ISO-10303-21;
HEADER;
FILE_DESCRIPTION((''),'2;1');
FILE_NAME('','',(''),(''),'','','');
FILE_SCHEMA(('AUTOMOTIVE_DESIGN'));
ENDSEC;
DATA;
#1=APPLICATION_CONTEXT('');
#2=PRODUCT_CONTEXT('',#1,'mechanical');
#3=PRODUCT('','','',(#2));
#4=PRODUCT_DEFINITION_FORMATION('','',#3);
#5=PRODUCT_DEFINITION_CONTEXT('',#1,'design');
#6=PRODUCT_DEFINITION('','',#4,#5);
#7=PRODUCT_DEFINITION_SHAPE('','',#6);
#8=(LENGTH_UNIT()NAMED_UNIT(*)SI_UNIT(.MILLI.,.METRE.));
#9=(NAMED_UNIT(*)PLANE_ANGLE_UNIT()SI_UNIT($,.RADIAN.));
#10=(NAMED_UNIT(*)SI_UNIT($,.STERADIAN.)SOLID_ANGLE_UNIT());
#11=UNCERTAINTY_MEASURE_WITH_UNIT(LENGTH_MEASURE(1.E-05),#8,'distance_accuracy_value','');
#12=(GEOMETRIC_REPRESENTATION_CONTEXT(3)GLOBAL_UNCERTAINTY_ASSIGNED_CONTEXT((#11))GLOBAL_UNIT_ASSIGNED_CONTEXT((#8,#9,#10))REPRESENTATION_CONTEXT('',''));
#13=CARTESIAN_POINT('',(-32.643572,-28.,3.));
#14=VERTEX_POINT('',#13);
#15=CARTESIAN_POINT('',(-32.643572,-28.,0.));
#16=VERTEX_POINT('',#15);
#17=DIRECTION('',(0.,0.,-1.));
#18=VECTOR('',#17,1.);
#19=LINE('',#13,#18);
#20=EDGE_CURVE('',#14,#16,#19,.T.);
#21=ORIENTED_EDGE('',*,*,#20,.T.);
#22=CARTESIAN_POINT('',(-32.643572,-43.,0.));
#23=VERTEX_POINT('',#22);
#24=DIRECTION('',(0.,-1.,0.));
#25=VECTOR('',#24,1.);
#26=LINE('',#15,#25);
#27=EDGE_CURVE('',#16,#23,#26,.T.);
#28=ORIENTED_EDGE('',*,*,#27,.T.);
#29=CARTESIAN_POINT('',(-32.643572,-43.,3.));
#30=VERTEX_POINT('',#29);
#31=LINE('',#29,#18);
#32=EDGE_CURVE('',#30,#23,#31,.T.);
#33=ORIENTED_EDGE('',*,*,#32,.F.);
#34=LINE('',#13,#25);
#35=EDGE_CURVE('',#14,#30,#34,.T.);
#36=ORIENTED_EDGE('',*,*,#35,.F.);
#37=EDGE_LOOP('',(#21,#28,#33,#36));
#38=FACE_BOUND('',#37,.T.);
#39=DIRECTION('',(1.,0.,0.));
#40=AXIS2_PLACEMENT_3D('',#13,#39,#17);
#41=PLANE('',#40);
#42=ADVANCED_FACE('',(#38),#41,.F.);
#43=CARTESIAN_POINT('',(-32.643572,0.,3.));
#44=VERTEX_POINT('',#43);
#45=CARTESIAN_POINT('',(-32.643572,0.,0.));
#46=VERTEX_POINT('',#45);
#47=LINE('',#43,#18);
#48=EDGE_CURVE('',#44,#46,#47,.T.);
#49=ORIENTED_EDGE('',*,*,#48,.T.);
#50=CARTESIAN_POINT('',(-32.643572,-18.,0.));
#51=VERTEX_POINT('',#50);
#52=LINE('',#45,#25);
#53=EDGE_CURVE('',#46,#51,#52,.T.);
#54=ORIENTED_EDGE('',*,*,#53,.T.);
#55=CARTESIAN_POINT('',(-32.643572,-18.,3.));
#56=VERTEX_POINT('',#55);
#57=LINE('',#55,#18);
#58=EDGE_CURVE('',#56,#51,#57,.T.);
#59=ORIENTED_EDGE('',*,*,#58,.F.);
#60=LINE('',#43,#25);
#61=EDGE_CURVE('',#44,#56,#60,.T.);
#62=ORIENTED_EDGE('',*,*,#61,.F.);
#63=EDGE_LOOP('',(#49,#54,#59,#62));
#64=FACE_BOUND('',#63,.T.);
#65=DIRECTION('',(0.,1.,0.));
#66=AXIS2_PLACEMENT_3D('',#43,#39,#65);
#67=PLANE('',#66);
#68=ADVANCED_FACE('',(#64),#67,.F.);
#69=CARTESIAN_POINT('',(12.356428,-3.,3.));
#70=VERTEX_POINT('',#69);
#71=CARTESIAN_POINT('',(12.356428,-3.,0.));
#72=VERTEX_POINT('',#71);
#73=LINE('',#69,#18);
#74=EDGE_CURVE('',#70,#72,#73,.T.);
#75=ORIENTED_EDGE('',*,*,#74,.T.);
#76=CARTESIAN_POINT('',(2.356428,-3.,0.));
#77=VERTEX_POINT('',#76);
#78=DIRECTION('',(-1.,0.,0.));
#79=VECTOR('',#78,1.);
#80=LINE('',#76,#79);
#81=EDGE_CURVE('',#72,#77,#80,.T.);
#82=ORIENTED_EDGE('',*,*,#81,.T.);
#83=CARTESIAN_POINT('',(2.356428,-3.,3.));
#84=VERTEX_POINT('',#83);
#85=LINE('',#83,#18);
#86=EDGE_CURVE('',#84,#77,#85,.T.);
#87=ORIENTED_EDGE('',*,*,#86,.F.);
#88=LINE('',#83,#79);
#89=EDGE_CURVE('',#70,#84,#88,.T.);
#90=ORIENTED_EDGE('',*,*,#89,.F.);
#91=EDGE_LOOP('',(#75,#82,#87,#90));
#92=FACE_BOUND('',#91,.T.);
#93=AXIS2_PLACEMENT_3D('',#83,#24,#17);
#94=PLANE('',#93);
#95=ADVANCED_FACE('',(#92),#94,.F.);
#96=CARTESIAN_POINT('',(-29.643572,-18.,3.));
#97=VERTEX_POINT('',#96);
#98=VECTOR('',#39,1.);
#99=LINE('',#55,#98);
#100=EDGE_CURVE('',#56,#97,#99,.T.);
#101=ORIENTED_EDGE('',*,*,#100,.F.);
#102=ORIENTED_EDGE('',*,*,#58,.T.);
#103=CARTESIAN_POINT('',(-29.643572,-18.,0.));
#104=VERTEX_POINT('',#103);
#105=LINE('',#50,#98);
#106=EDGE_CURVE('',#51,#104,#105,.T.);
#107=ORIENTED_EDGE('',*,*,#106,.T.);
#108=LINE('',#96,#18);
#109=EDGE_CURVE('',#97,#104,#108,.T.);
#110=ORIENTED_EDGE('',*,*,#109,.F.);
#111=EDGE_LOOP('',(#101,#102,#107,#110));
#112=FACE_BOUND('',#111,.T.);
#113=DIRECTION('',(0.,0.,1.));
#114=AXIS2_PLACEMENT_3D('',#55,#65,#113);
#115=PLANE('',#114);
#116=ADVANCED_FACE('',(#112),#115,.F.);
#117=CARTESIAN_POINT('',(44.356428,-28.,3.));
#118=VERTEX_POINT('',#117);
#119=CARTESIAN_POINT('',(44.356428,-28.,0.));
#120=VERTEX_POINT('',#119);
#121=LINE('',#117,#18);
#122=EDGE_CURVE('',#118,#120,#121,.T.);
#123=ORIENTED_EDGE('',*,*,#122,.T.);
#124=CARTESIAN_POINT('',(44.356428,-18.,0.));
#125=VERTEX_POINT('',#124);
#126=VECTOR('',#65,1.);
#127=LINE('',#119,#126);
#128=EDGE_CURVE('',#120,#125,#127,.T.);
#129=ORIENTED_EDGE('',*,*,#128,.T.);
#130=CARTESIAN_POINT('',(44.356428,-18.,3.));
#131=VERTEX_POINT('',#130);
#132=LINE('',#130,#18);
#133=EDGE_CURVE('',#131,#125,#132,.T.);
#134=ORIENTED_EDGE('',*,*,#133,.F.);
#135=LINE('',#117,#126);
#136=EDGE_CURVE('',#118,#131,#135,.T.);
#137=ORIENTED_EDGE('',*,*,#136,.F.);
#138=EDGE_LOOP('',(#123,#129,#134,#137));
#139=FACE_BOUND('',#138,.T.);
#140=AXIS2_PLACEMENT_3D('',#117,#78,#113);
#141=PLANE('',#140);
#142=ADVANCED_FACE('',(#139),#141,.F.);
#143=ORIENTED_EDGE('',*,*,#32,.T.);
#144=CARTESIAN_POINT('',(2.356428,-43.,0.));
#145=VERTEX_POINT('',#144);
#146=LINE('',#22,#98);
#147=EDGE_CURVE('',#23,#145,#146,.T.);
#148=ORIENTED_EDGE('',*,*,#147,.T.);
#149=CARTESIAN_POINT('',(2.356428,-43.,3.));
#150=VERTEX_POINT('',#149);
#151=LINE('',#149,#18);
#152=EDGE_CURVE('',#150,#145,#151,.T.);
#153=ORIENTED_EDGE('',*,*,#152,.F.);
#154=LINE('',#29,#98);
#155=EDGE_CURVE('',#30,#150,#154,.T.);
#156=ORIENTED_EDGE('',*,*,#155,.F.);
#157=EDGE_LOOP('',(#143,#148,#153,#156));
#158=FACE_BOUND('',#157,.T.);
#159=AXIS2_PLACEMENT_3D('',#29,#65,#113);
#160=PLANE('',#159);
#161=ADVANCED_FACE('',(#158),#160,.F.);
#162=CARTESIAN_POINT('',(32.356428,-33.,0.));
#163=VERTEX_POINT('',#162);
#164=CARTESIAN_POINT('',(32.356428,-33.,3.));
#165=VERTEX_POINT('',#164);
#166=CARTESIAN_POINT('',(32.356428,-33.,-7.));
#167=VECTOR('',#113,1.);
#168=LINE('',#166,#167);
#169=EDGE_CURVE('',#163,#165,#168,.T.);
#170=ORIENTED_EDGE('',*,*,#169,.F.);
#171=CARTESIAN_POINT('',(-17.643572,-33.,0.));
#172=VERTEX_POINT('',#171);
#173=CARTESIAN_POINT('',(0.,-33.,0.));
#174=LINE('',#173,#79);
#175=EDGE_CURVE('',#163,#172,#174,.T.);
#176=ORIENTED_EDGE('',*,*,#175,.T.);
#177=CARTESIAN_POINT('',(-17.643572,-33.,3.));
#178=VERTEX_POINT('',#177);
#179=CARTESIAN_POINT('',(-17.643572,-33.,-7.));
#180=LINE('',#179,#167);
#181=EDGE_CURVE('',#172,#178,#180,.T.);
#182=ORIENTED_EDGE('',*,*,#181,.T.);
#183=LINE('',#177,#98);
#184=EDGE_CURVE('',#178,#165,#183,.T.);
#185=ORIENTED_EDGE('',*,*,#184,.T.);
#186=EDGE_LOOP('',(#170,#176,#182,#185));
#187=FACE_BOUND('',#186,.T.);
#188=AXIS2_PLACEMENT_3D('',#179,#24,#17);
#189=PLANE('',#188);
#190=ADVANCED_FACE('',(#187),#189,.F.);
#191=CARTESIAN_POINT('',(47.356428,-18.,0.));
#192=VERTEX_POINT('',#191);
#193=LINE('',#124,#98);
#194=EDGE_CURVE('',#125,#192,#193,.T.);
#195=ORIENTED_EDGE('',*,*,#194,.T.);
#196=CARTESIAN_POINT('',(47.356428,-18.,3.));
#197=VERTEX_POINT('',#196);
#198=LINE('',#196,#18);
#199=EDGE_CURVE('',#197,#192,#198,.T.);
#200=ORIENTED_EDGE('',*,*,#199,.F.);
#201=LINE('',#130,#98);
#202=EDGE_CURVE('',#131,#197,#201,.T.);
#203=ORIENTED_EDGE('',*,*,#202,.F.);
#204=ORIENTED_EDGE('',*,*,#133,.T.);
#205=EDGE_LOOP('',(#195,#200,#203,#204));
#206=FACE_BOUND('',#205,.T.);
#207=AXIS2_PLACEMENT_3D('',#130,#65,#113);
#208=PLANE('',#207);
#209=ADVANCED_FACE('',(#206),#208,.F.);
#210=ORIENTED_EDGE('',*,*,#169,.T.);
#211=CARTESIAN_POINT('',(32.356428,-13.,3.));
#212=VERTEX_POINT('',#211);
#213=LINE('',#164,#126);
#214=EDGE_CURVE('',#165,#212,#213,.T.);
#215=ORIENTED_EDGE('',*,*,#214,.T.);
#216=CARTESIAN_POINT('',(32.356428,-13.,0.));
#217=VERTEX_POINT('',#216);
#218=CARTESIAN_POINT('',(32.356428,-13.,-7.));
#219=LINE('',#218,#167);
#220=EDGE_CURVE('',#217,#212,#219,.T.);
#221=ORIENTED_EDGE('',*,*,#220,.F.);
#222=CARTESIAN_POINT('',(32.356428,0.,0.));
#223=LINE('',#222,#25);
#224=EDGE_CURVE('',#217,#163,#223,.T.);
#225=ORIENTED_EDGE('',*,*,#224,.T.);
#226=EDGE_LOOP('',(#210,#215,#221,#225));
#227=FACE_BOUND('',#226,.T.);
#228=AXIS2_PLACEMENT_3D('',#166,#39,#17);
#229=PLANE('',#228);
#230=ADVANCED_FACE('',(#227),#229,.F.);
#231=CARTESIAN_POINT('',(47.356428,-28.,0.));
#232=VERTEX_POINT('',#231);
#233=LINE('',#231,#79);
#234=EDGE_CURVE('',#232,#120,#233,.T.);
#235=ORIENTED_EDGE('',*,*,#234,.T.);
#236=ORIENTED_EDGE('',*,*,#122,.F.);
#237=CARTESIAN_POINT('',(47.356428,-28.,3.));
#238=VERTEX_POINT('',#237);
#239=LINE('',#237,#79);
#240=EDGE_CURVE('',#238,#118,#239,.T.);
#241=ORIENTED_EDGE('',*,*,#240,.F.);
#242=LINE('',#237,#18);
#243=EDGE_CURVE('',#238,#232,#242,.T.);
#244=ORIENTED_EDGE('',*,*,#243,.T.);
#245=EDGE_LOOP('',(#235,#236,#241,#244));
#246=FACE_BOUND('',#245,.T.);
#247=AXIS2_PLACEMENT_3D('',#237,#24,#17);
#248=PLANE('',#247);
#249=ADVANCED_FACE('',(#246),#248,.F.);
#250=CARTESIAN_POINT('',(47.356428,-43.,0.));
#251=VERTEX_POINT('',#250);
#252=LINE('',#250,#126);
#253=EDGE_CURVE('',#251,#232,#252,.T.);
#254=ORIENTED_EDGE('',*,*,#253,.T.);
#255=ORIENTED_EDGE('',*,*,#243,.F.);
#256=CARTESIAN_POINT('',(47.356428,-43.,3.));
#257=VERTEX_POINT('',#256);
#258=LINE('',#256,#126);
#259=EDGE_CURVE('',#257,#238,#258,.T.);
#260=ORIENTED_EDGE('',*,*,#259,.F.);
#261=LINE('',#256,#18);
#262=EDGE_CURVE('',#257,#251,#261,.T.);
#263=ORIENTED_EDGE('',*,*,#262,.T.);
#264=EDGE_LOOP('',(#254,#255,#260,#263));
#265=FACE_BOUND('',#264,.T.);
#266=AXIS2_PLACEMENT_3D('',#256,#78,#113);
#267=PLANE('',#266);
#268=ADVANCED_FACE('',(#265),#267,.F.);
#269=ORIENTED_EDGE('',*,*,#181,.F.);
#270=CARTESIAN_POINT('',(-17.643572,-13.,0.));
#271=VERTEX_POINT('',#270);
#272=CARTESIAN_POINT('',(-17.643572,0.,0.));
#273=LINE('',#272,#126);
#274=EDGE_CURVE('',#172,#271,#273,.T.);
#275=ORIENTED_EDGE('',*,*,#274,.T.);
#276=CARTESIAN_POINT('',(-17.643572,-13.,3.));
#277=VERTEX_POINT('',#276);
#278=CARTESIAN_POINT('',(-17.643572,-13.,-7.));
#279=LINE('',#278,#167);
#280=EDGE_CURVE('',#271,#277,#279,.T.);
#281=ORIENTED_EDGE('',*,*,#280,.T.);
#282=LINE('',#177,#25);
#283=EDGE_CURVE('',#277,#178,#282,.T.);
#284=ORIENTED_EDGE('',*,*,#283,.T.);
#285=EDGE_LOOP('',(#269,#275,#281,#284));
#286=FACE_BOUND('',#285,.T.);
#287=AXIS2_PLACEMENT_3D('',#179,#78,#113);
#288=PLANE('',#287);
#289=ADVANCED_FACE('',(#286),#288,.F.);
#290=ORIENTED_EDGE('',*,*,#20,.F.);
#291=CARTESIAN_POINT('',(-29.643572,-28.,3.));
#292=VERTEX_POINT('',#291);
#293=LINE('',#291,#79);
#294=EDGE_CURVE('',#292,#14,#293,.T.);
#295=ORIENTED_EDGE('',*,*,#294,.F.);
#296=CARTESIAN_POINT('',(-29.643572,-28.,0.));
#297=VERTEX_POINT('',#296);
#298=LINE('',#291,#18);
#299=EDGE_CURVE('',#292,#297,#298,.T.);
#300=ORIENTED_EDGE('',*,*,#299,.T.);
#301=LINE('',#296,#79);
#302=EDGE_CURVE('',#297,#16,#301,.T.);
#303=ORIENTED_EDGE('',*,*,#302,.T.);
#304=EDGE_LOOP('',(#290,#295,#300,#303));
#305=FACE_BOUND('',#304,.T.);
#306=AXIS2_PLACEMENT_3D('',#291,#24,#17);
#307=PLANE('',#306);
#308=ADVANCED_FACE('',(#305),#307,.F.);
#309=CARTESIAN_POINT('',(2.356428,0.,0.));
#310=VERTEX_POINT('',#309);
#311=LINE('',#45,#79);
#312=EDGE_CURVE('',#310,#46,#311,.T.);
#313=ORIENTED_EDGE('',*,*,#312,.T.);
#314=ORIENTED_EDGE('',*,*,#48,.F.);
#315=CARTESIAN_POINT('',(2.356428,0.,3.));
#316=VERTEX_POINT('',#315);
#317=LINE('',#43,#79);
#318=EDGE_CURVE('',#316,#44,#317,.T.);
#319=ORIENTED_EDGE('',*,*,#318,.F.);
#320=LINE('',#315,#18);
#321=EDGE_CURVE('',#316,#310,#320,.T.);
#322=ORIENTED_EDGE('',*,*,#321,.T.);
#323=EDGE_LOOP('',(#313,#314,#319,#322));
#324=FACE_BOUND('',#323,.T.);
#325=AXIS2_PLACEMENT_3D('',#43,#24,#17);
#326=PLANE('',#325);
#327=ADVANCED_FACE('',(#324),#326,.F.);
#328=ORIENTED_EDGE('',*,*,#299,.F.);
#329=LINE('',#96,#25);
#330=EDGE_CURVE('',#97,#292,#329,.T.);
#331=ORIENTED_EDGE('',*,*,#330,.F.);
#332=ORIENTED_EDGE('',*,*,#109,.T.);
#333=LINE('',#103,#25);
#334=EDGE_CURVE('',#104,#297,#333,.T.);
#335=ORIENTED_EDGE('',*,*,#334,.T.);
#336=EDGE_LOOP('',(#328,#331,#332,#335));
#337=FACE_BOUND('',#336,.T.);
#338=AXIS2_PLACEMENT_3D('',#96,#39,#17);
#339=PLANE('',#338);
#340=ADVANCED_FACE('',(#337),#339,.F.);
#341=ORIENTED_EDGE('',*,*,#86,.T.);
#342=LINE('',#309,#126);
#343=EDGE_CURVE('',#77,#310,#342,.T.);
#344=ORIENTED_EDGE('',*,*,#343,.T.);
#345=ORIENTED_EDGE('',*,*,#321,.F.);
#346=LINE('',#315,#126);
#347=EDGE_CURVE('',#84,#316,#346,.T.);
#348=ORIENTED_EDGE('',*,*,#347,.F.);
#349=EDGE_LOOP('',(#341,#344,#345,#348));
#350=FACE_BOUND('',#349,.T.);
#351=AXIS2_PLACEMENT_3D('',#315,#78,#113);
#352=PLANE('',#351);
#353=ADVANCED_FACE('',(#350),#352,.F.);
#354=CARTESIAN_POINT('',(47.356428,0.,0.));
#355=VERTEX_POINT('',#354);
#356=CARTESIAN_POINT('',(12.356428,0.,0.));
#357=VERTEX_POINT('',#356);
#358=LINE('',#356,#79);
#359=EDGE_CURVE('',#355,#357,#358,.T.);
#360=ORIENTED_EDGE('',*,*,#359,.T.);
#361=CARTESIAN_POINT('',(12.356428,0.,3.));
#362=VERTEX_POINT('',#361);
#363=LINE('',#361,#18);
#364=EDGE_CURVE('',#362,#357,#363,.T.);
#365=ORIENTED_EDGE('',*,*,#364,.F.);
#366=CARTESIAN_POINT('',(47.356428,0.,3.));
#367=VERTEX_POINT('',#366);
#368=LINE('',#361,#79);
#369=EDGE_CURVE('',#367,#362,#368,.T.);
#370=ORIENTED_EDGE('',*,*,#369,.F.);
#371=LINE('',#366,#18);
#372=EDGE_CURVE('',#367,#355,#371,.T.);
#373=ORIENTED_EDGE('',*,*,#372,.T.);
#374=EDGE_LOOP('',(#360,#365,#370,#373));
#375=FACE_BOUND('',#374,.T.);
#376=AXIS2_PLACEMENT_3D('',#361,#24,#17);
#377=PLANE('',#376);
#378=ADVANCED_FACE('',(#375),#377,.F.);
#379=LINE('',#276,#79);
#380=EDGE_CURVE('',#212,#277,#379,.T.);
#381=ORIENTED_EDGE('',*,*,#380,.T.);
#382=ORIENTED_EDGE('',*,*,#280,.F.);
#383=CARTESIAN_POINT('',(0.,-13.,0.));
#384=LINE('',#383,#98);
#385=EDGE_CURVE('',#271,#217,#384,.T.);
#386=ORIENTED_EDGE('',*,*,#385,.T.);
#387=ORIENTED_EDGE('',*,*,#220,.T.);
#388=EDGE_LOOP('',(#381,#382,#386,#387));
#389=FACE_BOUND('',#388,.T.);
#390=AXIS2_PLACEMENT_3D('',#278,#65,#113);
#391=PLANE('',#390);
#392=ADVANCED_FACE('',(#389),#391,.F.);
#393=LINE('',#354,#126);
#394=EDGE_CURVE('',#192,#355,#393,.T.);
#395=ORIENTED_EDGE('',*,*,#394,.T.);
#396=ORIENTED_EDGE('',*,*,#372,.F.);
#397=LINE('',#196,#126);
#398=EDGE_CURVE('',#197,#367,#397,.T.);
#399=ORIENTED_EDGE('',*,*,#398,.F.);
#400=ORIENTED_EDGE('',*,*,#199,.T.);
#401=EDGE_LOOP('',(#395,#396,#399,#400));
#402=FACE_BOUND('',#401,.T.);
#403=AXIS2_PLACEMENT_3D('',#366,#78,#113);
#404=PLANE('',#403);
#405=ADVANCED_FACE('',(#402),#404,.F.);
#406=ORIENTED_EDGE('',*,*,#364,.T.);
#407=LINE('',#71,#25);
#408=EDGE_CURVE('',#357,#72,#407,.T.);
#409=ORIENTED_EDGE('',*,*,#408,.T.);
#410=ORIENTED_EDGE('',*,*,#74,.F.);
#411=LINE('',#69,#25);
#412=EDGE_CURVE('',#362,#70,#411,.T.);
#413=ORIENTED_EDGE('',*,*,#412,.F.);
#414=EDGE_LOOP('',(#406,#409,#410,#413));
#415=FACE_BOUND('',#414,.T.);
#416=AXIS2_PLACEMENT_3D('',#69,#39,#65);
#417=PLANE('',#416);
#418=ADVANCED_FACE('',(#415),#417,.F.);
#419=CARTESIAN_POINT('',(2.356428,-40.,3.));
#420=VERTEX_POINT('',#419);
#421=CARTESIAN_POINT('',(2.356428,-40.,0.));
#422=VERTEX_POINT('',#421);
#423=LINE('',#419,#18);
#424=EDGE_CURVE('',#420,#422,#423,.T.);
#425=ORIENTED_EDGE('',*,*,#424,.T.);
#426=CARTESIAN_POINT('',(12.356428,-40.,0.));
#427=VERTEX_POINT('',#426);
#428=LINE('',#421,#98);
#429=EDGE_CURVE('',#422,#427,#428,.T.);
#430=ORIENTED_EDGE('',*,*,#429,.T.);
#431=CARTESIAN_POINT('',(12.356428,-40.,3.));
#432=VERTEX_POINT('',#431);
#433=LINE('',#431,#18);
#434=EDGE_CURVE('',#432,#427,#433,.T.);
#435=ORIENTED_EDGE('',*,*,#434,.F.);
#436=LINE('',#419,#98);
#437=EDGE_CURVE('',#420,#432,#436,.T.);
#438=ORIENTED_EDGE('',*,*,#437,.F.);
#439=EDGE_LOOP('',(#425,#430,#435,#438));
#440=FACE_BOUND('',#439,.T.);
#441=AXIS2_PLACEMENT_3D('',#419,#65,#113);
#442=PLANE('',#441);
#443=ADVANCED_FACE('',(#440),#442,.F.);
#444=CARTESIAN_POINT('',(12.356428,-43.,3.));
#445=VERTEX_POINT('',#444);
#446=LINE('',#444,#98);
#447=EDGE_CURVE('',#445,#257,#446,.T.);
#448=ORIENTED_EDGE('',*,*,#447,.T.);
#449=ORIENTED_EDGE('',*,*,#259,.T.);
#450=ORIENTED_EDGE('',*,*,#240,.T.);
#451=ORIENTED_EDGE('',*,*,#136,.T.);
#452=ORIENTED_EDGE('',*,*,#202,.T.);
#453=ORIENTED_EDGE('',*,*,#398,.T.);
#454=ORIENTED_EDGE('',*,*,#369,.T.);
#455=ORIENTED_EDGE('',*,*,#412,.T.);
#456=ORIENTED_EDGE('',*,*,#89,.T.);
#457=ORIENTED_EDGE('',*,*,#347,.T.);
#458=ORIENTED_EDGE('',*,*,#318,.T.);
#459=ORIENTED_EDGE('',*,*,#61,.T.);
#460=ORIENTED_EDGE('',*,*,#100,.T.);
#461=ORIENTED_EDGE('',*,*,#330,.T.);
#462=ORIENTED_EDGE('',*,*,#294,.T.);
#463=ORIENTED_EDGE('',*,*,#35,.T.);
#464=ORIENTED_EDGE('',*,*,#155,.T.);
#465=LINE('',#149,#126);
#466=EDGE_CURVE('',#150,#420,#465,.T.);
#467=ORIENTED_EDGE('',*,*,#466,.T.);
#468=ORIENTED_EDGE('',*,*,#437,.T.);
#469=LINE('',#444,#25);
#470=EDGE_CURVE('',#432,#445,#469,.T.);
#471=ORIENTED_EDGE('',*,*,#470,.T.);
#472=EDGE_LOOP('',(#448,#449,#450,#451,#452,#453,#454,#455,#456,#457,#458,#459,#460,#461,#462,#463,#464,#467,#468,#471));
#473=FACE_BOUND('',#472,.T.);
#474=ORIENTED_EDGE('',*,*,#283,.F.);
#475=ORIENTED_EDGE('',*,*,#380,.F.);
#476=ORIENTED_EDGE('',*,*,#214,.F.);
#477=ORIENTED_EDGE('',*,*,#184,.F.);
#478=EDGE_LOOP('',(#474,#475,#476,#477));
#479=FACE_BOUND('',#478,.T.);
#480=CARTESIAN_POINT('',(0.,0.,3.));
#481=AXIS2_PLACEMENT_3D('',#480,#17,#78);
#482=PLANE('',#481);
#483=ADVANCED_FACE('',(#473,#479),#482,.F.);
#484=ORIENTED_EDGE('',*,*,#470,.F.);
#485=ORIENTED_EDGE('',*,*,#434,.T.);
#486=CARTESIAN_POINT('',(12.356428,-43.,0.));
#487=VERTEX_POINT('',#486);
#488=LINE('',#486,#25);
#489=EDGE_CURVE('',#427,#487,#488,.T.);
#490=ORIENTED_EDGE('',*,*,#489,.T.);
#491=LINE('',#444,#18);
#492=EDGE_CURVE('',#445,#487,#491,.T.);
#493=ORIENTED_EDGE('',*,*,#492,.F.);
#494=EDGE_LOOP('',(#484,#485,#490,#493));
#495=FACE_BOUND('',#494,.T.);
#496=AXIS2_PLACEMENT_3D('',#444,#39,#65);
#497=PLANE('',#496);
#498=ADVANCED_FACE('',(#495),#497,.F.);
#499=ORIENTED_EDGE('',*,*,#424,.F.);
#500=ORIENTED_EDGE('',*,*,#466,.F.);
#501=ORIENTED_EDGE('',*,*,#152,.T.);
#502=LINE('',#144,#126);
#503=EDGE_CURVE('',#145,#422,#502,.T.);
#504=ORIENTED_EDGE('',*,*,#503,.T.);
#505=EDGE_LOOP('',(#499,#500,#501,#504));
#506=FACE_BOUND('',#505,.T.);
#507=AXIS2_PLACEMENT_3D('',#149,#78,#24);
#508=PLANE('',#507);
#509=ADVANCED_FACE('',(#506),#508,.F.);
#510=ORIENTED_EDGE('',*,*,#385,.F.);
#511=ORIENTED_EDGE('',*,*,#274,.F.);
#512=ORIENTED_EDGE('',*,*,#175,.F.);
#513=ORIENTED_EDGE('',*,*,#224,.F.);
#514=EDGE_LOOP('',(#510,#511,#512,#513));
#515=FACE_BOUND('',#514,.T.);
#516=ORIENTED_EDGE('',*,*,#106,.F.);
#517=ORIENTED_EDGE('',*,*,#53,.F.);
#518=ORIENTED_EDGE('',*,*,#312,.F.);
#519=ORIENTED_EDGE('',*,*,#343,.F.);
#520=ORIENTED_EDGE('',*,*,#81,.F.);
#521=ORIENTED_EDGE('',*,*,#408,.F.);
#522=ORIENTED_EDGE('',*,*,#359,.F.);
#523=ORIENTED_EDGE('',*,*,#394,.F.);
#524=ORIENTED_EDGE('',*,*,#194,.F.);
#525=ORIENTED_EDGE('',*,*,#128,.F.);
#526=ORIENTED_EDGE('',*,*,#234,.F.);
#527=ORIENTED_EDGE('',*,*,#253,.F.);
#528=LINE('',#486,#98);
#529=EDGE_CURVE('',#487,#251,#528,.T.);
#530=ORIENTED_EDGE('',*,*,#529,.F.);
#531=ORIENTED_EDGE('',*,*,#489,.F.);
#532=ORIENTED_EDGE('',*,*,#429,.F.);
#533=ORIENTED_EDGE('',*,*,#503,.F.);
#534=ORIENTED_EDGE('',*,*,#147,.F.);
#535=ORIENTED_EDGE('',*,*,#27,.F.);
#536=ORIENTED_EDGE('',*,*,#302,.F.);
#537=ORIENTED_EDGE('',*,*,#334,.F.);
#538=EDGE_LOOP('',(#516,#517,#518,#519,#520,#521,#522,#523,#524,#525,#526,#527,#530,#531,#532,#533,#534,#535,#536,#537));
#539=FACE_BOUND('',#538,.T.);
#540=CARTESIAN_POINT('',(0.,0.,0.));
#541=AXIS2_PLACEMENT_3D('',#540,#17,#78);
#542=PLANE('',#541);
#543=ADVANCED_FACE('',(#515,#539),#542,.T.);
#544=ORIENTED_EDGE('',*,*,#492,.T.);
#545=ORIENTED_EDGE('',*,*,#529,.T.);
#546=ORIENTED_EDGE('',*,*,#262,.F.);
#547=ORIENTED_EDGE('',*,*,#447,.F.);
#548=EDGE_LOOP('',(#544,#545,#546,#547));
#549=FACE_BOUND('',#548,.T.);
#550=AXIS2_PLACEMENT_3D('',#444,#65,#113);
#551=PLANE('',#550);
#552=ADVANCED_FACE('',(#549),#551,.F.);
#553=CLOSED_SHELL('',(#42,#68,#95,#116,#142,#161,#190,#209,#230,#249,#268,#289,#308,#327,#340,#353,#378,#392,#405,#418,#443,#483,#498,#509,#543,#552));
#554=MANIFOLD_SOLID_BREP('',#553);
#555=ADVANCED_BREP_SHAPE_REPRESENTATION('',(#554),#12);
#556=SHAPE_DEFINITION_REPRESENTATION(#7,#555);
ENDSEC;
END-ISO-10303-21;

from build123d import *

# Parameters (mm, degrees)
BOSS_EXTRUDE1_DEPTH = 3
SKETCH2_W           = 50
SKETCH2_H           = 20
CUT_EXTRUDE1_DEPTH  = 10


with BuildPart() as part:
    # Sketch1 → Boss-Extrude1 (new body)
    with BuildSketch(Plane.XY):
        Polygon((-32.643571906, 0), (-32.643571906, -18), (-29.643571906, -18), (-29.643571906, -28), (-32.643571906, -28), (-32.643571906, -43), (2.356428094, -43), (2.356428094, -40), (12.356428094, -40), (12.356428094, -43), (47.356428094, -43), (47.356428094, -28), (44.356428094, -28), (44.356428094, -18), (47.356428094, -18), (47.356428094, -3), (47.356428094, 0), (12.356428094, 0), (12.356428094, -3), (2.356428094, -3), (2.356428094, 0), align=None)
    extrude(amount=BOSS_EXTRUDE1_DEPTH)

    # Sketch2 → Cut-Extrude1 (cut)
    with BuildSketch(Plane.XY.offset(3)):
        with Locations((7.356428094, -23)):
            Rectangle(SKETCH2_W, SKETCH2_H)
    extrude(amount=-CUT_EXTRUDE1_DEPTH, mode=Mode.SUBTRACT)


solid = part.part
